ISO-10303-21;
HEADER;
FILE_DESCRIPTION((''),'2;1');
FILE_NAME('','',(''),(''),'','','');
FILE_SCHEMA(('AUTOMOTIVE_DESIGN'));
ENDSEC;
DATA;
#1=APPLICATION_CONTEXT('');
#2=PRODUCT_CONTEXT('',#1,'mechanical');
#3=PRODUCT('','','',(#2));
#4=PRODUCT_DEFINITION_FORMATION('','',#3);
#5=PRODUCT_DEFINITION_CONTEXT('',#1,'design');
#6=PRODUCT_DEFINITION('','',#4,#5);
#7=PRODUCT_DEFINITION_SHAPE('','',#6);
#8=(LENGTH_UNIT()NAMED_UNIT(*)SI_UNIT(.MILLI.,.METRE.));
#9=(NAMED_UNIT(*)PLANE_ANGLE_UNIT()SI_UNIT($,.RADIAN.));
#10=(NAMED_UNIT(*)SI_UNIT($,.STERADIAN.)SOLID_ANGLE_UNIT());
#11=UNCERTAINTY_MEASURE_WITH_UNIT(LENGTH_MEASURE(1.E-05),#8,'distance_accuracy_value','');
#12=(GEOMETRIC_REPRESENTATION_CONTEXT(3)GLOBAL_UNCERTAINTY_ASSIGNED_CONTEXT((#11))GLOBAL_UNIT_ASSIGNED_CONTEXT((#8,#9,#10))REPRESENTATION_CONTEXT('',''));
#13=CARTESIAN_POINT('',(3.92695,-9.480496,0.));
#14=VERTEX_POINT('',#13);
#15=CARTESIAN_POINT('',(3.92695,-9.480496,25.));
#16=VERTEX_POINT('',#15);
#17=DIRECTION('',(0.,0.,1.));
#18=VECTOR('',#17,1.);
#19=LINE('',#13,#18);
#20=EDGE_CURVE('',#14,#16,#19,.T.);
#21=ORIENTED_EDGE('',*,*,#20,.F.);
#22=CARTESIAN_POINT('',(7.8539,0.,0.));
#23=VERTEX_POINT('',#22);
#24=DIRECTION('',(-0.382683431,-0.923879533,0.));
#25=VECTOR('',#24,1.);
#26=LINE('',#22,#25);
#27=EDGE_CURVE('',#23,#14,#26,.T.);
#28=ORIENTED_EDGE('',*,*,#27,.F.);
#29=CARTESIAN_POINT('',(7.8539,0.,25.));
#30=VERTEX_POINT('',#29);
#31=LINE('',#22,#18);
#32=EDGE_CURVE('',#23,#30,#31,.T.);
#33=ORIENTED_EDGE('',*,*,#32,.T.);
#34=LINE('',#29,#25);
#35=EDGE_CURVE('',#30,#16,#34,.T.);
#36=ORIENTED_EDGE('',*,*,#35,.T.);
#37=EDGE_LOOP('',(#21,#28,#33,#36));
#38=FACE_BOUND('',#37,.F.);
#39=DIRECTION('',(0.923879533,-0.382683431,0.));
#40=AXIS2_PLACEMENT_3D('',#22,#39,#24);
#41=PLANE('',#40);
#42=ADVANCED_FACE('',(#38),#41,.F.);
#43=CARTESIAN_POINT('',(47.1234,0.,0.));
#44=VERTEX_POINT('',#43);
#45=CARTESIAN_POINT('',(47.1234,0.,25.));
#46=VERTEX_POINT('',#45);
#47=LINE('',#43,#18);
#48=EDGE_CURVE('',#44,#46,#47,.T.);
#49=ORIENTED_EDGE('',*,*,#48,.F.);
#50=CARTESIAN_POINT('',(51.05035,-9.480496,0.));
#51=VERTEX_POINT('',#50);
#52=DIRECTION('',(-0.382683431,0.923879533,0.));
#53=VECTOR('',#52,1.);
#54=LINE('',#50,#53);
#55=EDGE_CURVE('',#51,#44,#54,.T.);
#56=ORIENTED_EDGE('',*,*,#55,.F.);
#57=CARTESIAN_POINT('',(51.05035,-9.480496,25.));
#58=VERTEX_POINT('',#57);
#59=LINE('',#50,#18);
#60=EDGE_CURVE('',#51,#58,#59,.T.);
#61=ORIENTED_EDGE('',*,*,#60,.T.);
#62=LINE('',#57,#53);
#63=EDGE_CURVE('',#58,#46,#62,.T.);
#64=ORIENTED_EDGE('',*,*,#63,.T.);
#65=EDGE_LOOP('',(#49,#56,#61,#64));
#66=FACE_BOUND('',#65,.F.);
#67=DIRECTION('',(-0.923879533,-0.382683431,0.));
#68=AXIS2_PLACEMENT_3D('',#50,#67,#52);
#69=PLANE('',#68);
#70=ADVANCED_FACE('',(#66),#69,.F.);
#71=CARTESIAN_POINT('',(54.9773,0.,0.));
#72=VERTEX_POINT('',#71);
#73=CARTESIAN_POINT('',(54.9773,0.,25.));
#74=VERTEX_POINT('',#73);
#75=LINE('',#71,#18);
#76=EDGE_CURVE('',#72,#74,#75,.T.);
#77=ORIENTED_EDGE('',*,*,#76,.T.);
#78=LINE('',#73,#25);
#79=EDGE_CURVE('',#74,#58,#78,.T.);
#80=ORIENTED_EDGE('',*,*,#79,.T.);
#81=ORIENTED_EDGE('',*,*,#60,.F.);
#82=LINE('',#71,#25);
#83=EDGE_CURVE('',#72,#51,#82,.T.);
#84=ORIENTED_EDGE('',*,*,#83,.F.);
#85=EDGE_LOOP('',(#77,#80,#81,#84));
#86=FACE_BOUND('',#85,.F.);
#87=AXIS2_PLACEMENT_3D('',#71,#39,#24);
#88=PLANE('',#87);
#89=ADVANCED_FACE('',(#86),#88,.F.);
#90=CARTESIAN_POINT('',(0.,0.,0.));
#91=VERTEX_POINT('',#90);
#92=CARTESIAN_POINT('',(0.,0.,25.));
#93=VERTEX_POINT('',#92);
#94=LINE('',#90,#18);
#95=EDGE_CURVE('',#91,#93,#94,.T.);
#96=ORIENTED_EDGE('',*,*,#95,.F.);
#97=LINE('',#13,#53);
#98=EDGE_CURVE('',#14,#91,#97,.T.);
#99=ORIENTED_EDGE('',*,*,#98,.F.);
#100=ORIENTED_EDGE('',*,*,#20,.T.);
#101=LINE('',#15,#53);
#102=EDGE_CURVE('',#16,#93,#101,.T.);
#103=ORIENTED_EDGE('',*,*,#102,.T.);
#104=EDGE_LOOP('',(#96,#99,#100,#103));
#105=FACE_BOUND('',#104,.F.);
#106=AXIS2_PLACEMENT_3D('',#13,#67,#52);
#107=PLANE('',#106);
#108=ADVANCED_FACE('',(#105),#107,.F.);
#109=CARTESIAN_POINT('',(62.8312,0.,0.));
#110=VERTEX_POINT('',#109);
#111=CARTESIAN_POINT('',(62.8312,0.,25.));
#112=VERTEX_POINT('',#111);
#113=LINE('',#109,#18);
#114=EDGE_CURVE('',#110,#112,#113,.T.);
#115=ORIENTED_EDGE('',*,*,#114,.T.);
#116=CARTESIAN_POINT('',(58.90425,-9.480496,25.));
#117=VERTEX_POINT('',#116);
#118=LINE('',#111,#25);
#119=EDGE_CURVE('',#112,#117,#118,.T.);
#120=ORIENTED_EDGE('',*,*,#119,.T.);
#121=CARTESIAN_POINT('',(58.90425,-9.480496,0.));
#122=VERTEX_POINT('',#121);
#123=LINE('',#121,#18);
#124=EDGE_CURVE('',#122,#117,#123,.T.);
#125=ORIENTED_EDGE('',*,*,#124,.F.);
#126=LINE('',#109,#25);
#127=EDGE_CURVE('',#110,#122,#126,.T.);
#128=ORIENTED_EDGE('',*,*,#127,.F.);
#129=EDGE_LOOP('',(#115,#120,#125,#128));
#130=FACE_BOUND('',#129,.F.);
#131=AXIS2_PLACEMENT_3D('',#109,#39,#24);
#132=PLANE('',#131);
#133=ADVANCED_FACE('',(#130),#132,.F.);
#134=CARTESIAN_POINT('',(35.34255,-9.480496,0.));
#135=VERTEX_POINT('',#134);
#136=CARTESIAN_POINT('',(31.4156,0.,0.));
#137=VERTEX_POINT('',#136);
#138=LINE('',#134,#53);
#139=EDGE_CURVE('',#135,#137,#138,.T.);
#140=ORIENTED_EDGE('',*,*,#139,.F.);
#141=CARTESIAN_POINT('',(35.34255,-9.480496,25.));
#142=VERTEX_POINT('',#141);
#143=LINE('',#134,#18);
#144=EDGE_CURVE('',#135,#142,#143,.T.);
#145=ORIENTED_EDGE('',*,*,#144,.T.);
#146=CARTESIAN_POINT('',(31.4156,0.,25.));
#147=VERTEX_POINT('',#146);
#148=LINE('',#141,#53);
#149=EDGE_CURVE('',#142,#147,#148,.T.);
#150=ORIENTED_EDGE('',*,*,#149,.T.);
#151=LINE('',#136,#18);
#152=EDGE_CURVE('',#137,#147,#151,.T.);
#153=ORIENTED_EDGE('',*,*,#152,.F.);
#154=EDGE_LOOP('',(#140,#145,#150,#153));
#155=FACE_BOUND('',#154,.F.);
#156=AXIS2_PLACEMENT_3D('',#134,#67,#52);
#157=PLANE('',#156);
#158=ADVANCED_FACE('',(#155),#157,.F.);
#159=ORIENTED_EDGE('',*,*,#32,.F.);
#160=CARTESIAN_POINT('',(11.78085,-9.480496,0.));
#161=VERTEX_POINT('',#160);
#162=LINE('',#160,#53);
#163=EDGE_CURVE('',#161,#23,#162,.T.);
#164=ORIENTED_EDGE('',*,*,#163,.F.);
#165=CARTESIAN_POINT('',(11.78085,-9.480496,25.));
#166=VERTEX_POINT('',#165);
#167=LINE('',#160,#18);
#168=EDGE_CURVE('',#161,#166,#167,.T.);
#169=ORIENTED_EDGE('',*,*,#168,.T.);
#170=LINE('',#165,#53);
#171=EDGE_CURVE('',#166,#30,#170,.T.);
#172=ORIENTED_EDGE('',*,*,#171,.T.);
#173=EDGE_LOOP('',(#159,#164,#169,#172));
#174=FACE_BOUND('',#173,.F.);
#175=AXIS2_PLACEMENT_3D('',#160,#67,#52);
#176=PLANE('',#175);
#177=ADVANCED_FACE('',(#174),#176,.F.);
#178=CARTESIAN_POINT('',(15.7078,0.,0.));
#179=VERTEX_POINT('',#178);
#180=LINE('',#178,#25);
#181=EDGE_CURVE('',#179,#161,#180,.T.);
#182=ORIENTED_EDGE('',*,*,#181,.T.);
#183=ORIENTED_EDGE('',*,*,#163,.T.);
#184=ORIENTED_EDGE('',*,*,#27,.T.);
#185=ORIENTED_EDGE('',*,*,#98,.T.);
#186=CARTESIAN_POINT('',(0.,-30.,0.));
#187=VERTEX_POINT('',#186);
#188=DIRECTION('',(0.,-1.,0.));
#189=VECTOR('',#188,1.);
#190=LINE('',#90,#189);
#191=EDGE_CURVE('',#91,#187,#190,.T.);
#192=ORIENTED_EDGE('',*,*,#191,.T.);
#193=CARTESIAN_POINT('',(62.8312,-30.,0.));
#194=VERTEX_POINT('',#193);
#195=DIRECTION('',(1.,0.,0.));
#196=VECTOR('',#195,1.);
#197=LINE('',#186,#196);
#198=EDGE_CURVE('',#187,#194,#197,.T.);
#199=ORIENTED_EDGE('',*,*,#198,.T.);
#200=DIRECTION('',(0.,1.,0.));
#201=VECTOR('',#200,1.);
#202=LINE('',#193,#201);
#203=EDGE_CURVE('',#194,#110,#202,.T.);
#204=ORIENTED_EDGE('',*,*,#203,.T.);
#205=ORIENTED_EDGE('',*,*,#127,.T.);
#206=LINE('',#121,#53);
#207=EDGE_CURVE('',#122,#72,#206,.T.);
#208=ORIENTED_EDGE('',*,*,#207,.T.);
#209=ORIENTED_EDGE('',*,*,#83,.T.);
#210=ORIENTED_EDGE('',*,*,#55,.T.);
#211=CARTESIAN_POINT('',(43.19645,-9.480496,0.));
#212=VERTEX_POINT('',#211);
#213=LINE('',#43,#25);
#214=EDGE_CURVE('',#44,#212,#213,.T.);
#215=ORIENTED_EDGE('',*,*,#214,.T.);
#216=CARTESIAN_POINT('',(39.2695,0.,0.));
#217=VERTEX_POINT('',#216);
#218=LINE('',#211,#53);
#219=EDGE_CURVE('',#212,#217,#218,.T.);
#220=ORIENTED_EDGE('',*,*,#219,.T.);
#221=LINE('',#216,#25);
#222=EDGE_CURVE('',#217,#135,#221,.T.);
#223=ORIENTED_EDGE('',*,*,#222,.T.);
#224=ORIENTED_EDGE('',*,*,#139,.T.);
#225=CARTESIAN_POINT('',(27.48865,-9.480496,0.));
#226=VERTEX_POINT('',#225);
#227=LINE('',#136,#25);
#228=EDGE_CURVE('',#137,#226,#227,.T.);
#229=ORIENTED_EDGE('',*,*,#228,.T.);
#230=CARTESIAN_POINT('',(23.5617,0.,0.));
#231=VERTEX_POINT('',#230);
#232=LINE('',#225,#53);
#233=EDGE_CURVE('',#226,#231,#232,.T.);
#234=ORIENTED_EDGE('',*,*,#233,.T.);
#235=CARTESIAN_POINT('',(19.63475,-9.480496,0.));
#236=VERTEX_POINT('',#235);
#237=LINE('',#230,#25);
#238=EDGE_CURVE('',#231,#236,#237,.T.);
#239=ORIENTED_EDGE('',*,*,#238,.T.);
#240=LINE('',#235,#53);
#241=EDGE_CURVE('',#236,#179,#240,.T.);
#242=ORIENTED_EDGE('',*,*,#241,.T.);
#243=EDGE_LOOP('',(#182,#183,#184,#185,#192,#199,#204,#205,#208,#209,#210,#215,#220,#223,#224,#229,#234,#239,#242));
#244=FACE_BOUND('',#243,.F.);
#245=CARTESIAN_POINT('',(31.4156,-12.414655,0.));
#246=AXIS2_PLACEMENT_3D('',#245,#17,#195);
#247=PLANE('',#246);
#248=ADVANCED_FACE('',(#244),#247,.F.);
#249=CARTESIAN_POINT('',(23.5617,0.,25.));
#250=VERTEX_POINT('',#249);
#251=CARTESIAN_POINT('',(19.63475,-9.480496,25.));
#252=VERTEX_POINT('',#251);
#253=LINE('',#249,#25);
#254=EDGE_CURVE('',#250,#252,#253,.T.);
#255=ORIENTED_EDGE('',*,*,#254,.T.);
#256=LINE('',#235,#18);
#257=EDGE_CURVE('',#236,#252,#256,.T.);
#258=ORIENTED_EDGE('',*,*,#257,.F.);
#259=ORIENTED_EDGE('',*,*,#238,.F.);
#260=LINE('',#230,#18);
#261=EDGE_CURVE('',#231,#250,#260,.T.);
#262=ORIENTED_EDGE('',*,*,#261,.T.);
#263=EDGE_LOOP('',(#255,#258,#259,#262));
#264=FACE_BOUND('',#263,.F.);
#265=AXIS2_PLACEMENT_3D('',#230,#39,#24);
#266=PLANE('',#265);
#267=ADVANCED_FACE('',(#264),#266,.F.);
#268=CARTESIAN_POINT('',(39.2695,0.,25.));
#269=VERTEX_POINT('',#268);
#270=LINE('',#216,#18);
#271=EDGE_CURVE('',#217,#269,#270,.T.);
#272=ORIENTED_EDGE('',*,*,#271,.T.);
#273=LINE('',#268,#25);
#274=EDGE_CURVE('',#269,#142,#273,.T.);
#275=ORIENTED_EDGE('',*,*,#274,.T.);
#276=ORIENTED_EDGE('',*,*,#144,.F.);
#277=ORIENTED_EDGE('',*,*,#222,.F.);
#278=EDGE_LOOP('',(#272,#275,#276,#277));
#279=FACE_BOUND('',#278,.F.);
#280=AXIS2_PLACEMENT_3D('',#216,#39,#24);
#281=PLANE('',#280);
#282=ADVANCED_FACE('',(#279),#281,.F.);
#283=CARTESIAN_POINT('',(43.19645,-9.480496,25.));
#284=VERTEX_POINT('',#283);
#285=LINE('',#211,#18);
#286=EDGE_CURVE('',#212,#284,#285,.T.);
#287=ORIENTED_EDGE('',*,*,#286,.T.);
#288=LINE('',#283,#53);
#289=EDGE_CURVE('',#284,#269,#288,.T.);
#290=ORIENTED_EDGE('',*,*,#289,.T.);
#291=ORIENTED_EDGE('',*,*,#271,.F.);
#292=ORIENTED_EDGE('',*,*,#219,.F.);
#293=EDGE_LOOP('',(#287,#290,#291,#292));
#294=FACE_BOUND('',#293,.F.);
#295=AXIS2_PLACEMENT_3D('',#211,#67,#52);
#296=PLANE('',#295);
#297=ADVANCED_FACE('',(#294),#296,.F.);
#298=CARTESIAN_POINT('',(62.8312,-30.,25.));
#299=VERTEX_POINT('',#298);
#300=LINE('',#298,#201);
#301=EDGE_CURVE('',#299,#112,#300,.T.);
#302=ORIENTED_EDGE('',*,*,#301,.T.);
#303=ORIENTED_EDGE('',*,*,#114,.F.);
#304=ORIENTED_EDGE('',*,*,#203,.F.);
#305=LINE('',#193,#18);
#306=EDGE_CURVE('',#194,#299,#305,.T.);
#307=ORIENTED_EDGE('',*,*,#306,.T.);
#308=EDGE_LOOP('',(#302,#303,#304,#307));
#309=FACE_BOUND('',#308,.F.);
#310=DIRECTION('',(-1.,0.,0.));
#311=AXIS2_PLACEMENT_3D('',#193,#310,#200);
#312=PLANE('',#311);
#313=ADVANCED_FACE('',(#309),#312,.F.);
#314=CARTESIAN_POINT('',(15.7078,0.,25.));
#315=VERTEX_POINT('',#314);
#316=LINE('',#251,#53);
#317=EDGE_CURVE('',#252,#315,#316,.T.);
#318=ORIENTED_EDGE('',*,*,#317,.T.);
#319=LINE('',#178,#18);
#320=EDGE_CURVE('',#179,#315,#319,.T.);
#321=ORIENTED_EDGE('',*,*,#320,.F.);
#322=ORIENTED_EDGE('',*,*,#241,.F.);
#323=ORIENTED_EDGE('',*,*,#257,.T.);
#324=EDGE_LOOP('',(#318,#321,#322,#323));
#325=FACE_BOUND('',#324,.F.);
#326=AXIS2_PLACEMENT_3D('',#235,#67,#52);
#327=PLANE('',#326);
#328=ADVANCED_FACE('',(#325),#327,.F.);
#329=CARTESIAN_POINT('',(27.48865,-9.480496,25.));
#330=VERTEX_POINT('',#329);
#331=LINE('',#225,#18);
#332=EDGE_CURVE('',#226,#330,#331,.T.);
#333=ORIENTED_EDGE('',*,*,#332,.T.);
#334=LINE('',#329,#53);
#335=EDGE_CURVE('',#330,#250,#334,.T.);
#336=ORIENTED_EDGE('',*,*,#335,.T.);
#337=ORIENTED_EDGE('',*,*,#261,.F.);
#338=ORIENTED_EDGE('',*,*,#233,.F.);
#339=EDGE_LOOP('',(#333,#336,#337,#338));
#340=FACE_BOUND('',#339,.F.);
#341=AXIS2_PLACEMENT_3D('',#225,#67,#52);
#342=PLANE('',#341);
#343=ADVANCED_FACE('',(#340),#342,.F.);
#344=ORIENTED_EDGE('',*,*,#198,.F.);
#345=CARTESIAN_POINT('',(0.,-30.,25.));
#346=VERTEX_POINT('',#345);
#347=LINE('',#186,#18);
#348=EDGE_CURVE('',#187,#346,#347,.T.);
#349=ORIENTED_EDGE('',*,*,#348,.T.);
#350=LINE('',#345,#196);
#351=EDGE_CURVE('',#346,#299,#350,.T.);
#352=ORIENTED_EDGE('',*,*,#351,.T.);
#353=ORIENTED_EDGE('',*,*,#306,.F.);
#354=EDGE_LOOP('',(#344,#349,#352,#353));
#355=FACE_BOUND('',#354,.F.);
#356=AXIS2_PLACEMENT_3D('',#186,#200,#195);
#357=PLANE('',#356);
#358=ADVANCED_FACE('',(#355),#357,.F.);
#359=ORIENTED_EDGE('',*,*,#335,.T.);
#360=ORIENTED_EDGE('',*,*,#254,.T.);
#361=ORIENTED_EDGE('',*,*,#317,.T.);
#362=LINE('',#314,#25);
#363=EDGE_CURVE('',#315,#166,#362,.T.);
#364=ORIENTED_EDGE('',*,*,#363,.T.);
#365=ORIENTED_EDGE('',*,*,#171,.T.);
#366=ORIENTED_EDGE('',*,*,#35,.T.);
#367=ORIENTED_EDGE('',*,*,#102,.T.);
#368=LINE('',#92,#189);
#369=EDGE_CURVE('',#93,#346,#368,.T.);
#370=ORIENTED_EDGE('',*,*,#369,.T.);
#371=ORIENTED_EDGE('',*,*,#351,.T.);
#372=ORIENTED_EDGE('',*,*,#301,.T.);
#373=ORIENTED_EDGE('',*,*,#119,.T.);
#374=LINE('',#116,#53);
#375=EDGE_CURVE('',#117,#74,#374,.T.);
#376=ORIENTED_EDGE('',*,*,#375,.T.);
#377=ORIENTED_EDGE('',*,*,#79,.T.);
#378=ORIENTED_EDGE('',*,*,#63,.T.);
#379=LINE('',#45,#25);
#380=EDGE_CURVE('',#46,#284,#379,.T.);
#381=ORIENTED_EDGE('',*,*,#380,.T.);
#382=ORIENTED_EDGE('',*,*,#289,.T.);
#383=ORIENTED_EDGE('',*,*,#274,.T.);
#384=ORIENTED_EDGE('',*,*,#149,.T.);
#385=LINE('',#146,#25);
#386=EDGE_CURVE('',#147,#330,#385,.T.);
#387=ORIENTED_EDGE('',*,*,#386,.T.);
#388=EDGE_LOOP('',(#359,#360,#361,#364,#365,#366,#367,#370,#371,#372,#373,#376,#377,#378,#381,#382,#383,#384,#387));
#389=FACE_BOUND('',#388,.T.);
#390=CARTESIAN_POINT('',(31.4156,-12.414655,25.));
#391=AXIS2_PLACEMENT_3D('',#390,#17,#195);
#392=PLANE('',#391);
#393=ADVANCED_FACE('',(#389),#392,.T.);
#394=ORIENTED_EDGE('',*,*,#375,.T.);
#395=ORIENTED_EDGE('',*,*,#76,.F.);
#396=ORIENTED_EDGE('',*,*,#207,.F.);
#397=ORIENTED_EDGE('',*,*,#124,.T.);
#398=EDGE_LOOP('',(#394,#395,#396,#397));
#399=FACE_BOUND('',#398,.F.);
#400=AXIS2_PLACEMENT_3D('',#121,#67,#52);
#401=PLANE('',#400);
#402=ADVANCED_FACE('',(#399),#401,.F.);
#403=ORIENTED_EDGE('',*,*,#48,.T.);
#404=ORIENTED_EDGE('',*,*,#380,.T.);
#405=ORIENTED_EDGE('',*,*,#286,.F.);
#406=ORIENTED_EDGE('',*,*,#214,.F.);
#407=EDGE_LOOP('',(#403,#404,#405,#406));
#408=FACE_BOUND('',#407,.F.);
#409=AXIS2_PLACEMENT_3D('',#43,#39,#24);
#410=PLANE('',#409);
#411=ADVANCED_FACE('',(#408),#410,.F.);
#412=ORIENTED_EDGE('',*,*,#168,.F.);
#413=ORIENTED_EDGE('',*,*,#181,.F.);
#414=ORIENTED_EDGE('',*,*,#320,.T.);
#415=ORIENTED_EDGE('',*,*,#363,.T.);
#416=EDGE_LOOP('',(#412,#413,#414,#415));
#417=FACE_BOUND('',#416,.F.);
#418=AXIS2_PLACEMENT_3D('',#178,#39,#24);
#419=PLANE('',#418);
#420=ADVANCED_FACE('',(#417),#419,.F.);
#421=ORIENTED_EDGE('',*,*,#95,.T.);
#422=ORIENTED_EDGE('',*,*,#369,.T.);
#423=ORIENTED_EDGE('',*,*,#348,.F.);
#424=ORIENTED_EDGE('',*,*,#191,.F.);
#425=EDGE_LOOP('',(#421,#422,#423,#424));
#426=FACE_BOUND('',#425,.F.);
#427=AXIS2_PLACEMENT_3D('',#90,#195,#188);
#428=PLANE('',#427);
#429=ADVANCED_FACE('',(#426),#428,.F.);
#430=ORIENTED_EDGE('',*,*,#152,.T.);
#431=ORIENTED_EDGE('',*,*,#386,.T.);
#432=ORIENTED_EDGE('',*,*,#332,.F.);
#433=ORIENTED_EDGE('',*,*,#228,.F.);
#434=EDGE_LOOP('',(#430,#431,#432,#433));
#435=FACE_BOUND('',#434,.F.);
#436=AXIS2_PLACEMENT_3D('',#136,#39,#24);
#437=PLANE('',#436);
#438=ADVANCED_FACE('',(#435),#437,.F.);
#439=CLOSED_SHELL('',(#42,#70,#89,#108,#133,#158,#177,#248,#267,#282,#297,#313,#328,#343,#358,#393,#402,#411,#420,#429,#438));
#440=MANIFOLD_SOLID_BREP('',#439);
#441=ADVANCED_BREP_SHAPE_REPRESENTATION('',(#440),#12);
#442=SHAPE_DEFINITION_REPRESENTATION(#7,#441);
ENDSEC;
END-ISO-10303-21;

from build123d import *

# Parameters (mm, degrees)
F1_DEPTH = 25


with BuildPart() as f1:
    # F0 (on Top) → F1 (new body)
    with BuildSketch(Plane.XY):
        Polygon((3.92695, -9.480496), (0, 0), (0, -30), (62.8312, -30), (62.8312, 0), (58.90425, -9.480496), (54.9773, 0), (51.05035, -9.480496), (47.1234, 0), (43.19645, -9.480496), (39.2695, 0), (35.34255, -9.480496), (31.4156, 0), (27.48865, -9.480496), (23.5617, 0), (19.63475, -9.480496), (15.7078, 0), (11.78085, -9.480496), (7.8539, 0), align=None)
    extrude(amount=F1_DEPTH)


solid = f1.part
